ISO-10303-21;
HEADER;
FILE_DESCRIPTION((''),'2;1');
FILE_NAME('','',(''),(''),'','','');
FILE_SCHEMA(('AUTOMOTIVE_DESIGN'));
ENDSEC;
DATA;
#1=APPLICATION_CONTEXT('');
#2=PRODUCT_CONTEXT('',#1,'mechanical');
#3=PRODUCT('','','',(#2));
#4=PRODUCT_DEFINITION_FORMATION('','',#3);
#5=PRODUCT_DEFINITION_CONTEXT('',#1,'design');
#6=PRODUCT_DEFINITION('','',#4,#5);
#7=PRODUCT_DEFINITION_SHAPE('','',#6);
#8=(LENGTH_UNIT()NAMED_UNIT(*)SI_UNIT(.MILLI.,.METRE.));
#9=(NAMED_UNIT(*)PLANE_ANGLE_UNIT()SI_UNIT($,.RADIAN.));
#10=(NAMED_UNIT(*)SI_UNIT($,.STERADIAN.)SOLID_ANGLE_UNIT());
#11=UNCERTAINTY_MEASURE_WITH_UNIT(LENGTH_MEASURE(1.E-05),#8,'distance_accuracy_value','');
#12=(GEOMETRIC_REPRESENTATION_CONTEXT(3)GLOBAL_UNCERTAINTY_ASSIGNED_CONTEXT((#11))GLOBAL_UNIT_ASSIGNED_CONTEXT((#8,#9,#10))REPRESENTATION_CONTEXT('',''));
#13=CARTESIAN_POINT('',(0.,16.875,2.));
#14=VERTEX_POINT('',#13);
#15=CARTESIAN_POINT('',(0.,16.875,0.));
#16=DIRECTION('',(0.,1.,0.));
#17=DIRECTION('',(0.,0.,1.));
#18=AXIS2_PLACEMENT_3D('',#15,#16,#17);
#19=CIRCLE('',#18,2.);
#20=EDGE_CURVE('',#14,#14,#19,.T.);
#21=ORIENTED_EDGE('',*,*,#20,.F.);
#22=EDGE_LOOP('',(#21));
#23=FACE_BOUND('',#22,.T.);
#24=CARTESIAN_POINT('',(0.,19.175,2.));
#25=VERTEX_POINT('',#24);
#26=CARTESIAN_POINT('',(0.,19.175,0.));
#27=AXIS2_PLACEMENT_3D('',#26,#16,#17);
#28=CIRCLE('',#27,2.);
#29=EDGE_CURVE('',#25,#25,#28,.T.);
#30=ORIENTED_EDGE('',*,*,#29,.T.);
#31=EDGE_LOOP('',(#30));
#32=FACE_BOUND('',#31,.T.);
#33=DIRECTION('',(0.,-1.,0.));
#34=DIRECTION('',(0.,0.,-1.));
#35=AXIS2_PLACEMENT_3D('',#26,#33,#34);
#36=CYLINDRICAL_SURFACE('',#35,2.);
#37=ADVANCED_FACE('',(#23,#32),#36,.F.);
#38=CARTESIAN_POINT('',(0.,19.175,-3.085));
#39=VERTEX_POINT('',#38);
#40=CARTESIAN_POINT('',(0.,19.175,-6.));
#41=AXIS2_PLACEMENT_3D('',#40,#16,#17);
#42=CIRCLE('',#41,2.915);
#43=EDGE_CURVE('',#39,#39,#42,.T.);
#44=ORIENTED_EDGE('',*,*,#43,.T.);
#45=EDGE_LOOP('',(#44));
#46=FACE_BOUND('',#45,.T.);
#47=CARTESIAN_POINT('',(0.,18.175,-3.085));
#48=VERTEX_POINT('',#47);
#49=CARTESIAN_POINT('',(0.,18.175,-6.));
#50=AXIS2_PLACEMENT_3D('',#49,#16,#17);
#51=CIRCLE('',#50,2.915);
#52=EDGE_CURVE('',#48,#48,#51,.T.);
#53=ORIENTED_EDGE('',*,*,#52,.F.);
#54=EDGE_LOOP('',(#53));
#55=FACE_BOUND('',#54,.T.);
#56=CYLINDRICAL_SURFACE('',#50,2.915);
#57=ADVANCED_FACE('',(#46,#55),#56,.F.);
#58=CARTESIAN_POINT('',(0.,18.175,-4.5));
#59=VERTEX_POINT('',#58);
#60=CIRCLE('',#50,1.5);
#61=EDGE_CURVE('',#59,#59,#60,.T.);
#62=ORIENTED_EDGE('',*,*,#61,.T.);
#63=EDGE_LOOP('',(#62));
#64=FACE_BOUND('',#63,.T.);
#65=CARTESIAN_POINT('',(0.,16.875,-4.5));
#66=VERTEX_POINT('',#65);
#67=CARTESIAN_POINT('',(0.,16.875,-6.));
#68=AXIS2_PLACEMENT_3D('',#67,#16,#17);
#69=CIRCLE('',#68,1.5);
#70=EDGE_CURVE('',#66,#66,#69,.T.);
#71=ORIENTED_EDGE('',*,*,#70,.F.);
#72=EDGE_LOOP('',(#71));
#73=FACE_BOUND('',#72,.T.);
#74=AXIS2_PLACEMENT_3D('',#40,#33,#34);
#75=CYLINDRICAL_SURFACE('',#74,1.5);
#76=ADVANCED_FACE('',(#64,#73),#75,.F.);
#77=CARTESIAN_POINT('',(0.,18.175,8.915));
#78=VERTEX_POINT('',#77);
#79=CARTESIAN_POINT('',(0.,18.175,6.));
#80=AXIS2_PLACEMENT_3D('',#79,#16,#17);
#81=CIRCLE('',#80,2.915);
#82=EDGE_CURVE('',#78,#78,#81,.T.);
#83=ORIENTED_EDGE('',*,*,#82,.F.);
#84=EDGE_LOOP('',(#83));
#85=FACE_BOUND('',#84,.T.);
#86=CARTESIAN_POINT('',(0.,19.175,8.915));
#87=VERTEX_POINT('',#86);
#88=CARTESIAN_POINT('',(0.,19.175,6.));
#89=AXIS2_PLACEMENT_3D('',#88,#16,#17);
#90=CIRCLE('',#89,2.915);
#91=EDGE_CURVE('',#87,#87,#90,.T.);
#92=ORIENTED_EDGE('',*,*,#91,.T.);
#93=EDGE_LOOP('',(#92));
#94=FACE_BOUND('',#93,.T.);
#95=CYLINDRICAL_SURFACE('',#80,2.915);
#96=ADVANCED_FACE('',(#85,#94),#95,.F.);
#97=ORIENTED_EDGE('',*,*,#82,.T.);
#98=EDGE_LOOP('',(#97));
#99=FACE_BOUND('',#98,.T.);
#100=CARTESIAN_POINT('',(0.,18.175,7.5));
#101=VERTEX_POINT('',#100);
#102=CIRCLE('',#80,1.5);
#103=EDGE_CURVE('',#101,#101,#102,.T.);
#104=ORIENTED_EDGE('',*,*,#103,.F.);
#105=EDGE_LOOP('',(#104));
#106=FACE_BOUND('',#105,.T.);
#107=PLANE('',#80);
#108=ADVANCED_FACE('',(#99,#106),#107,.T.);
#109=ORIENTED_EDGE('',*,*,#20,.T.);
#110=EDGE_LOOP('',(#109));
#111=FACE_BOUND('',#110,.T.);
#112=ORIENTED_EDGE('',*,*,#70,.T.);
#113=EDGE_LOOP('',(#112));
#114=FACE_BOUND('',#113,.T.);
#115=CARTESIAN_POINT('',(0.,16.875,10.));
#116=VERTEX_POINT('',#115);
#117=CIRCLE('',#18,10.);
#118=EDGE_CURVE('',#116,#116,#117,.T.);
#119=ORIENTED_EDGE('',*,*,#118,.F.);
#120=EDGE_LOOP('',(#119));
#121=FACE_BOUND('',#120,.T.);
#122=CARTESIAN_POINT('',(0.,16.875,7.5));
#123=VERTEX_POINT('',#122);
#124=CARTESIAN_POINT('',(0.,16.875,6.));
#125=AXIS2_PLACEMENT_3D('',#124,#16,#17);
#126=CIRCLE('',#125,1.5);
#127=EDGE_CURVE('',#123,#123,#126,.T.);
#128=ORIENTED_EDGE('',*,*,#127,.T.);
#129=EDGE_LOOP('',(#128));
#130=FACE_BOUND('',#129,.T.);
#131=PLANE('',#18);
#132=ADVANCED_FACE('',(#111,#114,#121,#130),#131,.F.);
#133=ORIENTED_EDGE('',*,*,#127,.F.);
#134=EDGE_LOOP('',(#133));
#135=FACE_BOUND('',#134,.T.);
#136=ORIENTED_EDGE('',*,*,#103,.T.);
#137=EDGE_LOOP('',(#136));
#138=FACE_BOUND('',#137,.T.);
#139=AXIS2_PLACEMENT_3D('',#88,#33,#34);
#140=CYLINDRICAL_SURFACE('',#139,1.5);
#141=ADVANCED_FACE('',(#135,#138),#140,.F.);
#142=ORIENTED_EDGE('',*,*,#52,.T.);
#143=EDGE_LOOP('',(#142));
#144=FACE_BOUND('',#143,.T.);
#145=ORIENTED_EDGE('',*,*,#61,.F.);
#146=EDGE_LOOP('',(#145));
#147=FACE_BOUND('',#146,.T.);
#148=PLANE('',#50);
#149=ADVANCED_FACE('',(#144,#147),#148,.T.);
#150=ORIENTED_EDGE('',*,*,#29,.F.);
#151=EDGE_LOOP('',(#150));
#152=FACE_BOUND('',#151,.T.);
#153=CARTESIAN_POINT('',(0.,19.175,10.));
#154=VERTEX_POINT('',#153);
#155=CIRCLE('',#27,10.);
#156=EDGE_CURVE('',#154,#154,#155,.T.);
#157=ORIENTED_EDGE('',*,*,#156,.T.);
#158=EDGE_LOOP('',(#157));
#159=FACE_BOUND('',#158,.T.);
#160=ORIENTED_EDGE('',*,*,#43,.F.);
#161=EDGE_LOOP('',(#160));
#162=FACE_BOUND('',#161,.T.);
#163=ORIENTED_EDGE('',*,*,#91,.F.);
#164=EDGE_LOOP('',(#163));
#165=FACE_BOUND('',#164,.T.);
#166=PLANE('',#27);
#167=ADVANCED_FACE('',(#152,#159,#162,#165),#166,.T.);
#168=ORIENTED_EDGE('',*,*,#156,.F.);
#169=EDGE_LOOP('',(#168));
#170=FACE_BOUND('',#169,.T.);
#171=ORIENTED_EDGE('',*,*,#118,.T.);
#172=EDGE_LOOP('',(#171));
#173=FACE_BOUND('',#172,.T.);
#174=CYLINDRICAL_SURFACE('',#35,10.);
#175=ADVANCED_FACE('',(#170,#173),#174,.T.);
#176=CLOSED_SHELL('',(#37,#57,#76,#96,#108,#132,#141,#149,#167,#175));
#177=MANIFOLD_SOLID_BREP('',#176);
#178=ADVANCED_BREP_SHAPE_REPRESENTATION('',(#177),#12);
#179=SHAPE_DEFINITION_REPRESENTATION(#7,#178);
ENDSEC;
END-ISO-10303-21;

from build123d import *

# Parameters (mm, degrees)
SKETCH1_R           = 10
SKETCH1_R_2         = 2
SKETCH1_R_3         = 1.5
BOSS_EXTRUDE1_DEPTH = 2.3
SKETCH2_R           = 2.915
CUT_EXTRUDE1_DEPTH  = 1


with BuildPart() as part:
    # Sketch1 → Boss-Extrude1 (new body)
    with BuildSketch(Plane(origin=(0, 16.875, 0), x_dir=(1, 0, 0), z_dir=(0, 1, 0))):
        Circle(SKETCH1_R)
        Circle(SKETCH1_R_2, mode=Mode.SUBTRACT)
        with Locations((0, 6)):
            Circle(SKETCH1_R_3, mode=Mode.SUBTRACT)
        with Locations((0, -6)):
            Circle(SKETCH1_R_3, mode=Mode.SUBTRACT)
    extrude(amount=BOSS_EXTRUDE1_DEPTH)

    # Sketch2 → Cut-Extrude1 (cut)
    with BuildSketch(Plane(origin=(0, 19.175, 0), x_dir=(1, 0, 0), z_dir=(0, 1, 0))):
        with Locations((0, 6)):
            Circle(SKETCH2_R)
        with Locations((0, -6)):
            Circle(SKETCH2_R)
    extrude(amount=-CUT_EXTRUDE1_DEPTH, mode=Mode.SUBTRACT)


solid = part.part
